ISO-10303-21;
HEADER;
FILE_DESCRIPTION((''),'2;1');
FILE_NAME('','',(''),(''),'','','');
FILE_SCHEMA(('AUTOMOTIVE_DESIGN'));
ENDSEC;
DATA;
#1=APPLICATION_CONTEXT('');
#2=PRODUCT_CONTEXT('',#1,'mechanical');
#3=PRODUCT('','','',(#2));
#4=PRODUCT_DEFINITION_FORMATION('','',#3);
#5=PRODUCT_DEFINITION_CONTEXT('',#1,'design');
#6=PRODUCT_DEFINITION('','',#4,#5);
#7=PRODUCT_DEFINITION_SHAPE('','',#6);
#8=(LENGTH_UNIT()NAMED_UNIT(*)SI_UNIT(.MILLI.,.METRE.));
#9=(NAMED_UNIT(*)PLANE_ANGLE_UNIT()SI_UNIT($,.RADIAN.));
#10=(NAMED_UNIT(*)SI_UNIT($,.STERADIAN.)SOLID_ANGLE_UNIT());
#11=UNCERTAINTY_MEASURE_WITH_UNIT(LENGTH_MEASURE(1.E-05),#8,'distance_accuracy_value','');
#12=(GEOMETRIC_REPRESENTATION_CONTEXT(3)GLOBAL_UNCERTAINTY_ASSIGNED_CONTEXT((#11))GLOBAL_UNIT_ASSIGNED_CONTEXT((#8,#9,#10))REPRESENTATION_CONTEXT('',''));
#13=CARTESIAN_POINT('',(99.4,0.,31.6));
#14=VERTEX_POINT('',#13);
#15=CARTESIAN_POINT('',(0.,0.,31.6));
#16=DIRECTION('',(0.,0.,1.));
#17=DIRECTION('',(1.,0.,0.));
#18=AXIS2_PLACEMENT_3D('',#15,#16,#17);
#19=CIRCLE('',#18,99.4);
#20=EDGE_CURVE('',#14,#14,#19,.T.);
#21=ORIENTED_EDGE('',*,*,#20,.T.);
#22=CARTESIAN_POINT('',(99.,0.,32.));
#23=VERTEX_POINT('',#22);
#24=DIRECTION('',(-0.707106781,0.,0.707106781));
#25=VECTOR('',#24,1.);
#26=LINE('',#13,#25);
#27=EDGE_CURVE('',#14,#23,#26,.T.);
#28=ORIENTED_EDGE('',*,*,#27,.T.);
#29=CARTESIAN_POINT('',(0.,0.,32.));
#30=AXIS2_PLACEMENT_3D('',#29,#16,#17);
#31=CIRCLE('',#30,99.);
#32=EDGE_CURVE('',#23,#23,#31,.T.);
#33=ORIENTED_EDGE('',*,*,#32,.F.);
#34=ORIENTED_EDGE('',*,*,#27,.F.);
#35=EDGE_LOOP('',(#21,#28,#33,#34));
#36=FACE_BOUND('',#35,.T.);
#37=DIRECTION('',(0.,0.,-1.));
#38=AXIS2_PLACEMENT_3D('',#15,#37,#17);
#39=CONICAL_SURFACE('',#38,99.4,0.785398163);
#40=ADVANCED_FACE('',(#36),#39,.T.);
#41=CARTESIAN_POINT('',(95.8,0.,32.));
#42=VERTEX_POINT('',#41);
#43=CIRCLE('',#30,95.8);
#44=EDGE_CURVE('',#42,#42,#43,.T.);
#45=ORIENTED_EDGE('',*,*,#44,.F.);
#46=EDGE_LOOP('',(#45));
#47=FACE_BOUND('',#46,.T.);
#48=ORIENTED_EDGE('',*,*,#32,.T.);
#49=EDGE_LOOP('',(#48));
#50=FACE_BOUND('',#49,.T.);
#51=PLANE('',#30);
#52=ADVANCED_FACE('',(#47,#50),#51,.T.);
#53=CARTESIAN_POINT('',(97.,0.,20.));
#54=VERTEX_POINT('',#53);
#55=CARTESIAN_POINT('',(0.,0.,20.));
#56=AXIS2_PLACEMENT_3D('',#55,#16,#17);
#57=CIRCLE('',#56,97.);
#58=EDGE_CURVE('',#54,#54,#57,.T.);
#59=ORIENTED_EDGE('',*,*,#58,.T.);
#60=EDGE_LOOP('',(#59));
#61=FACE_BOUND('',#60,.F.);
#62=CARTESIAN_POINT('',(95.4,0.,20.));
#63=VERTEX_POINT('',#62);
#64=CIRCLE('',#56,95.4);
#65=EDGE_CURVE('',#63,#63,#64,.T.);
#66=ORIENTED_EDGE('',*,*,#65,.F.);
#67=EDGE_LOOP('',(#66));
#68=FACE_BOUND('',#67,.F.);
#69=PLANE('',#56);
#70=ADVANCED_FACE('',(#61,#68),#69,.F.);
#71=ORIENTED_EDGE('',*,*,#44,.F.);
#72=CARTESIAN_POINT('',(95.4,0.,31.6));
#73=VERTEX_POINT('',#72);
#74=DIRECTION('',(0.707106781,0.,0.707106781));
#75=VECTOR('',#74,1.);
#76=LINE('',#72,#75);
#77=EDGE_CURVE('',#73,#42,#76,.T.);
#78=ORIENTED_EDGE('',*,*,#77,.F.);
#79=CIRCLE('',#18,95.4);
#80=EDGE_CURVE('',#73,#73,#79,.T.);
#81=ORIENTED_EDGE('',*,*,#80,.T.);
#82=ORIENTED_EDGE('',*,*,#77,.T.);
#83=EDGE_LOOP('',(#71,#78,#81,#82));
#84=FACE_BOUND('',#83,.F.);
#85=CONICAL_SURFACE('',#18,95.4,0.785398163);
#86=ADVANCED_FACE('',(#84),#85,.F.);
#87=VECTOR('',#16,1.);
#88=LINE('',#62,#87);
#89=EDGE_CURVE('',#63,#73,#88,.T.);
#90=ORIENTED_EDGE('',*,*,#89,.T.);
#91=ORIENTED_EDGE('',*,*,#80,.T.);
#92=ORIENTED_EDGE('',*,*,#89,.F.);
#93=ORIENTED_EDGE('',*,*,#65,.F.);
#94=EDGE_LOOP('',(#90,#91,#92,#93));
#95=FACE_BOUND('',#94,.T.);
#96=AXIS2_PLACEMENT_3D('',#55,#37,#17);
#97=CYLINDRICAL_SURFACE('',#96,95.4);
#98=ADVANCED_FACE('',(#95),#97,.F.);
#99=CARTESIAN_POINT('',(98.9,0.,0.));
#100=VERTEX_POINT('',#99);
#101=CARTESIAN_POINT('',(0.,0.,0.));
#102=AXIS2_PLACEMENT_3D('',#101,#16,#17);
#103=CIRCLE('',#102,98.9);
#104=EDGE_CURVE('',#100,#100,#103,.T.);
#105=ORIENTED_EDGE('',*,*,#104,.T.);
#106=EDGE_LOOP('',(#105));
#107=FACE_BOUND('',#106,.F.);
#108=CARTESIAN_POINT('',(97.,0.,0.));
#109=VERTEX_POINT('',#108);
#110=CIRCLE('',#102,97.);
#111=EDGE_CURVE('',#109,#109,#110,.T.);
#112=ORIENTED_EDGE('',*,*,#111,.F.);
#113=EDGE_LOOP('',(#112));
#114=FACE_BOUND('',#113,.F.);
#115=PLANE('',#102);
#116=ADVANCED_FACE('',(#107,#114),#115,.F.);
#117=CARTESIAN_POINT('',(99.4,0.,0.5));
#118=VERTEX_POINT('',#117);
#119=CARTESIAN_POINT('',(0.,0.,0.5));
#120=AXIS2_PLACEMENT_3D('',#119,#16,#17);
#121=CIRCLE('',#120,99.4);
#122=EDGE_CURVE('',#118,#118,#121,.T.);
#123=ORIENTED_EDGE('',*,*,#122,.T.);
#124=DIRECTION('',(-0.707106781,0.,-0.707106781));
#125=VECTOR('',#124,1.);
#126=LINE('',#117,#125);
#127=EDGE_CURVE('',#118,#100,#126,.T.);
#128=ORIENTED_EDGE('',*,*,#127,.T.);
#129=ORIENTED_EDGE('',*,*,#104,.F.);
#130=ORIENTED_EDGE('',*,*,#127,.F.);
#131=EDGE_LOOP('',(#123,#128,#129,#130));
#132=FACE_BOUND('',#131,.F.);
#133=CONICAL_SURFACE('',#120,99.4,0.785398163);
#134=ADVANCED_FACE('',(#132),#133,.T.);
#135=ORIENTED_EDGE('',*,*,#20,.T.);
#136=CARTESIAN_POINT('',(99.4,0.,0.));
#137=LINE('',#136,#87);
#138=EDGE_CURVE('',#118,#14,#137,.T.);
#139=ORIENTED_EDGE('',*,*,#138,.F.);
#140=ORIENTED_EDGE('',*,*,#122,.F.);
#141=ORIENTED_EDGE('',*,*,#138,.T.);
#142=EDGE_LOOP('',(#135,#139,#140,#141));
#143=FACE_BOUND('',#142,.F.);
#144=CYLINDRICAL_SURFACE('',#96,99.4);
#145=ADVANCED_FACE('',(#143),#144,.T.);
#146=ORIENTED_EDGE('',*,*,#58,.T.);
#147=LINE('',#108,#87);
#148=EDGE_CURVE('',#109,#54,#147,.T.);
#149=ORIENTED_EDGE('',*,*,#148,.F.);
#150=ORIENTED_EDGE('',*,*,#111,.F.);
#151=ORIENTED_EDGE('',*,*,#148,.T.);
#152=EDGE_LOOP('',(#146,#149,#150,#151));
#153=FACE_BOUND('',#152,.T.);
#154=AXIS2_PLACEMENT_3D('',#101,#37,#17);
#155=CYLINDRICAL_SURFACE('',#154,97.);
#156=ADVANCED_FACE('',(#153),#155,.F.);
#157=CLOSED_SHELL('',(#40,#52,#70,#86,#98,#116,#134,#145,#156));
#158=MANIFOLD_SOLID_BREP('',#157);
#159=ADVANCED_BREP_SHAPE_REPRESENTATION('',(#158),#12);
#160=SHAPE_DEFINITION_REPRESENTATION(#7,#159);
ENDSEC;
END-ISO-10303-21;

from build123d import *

# Parameters (mm, degrees)
F0_R     = 99.4
F0_R_2   = 97
F1_DEPTH = 20
F2_R     = 99.4
F2_R_2   = 95.4
F3_DEPTH = 12
F4_SIZE  = 0.4
F5_SIZE  = 0.5


with BuildPart() as f1:
    # F0 (on Top) → F1 (new body)
    with BuildSketch(Plane.XY):
        Circle(F0_R)
        Circle(F0_R_2, mode=Mode.SUBTRACT)
    extrude(amount=F1_DEPTH)

    # F2 (on face) → F3 (join)
    with BuildSketch(Plane.XY.offset(20)):
        Circle(F2_R)
        Circle(F2_R_2, mode=Mode.SUBTRACT)
    extrude(amount=F3_DEPTH)

    # F4
    f4_edges = [f1.edges().sort_by_distance(p)[0] for p in [
        (-99.4, 0, 32),
        (-95.4, 0, 32),
    ]]
    chamfer(f4_edges, length=F4_SIZE)

    # F5
    f5_edges = [f1.edges().sort_by_distance(p)[0] for p in [
        (-99.4, 0, 0),
    ]]
    chamfer(f5_edges, length=F5_SIZE)


solid = f1.part
